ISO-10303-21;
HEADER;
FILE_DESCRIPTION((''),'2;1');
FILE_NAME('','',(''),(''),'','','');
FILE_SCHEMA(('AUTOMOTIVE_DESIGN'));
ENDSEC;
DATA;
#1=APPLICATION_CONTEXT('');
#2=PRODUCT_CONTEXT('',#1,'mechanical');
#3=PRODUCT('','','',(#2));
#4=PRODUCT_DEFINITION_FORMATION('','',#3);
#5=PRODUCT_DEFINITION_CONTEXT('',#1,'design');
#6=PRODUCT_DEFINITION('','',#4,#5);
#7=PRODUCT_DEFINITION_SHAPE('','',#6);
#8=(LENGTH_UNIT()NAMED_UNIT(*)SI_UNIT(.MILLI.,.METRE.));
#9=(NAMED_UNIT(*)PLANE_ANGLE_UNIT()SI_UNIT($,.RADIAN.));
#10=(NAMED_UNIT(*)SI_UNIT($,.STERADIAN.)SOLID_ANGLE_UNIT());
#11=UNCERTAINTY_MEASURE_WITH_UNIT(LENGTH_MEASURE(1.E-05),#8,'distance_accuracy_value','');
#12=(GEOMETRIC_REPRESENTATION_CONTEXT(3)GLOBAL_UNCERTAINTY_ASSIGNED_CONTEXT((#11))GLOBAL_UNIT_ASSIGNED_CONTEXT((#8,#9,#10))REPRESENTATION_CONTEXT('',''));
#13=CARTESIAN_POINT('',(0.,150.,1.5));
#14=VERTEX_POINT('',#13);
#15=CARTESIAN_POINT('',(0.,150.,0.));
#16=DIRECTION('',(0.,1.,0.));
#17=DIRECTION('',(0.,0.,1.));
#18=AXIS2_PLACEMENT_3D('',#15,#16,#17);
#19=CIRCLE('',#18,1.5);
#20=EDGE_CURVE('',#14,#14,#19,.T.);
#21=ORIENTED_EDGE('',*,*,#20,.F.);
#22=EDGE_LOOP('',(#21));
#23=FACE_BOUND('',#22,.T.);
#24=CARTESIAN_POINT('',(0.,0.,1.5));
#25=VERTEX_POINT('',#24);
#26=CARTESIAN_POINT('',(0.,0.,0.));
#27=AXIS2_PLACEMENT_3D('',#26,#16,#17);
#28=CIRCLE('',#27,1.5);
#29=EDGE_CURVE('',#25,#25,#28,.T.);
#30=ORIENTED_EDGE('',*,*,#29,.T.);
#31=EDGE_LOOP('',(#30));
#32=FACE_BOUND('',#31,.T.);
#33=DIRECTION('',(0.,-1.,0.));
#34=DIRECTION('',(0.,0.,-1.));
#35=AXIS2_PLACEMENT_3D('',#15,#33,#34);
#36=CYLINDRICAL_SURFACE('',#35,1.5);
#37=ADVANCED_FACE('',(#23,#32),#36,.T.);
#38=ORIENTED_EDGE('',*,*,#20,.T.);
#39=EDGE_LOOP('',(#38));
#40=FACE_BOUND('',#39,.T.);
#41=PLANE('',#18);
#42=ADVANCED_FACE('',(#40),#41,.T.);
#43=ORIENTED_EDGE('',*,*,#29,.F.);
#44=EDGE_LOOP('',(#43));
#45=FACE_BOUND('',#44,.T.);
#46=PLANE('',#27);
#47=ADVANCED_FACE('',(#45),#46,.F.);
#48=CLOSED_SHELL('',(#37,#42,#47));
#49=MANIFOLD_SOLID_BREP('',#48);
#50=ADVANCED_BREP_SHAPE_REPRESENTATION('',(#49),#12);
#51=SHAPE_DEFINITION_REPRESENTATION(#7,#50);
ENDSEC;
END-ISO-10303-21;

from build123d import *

# Parameters (mm, degrees)
SKETCH1_R           = 1.5
BOSS_EXTRUDE1_DEPTH = 150


with BuildPart() as part:
    # Sketch1 → Boss-Extrude1 (new body)
    with BuildSketch(Plane(origin=(0, 0, 0), x_dir=(1, 0, 0), z_dir=(0, 1, 0))):
        Circle(SKETCH1_R)
    extrude(amount=BOSS_EXTRUDE1_DEPTH)


solid = part.part
